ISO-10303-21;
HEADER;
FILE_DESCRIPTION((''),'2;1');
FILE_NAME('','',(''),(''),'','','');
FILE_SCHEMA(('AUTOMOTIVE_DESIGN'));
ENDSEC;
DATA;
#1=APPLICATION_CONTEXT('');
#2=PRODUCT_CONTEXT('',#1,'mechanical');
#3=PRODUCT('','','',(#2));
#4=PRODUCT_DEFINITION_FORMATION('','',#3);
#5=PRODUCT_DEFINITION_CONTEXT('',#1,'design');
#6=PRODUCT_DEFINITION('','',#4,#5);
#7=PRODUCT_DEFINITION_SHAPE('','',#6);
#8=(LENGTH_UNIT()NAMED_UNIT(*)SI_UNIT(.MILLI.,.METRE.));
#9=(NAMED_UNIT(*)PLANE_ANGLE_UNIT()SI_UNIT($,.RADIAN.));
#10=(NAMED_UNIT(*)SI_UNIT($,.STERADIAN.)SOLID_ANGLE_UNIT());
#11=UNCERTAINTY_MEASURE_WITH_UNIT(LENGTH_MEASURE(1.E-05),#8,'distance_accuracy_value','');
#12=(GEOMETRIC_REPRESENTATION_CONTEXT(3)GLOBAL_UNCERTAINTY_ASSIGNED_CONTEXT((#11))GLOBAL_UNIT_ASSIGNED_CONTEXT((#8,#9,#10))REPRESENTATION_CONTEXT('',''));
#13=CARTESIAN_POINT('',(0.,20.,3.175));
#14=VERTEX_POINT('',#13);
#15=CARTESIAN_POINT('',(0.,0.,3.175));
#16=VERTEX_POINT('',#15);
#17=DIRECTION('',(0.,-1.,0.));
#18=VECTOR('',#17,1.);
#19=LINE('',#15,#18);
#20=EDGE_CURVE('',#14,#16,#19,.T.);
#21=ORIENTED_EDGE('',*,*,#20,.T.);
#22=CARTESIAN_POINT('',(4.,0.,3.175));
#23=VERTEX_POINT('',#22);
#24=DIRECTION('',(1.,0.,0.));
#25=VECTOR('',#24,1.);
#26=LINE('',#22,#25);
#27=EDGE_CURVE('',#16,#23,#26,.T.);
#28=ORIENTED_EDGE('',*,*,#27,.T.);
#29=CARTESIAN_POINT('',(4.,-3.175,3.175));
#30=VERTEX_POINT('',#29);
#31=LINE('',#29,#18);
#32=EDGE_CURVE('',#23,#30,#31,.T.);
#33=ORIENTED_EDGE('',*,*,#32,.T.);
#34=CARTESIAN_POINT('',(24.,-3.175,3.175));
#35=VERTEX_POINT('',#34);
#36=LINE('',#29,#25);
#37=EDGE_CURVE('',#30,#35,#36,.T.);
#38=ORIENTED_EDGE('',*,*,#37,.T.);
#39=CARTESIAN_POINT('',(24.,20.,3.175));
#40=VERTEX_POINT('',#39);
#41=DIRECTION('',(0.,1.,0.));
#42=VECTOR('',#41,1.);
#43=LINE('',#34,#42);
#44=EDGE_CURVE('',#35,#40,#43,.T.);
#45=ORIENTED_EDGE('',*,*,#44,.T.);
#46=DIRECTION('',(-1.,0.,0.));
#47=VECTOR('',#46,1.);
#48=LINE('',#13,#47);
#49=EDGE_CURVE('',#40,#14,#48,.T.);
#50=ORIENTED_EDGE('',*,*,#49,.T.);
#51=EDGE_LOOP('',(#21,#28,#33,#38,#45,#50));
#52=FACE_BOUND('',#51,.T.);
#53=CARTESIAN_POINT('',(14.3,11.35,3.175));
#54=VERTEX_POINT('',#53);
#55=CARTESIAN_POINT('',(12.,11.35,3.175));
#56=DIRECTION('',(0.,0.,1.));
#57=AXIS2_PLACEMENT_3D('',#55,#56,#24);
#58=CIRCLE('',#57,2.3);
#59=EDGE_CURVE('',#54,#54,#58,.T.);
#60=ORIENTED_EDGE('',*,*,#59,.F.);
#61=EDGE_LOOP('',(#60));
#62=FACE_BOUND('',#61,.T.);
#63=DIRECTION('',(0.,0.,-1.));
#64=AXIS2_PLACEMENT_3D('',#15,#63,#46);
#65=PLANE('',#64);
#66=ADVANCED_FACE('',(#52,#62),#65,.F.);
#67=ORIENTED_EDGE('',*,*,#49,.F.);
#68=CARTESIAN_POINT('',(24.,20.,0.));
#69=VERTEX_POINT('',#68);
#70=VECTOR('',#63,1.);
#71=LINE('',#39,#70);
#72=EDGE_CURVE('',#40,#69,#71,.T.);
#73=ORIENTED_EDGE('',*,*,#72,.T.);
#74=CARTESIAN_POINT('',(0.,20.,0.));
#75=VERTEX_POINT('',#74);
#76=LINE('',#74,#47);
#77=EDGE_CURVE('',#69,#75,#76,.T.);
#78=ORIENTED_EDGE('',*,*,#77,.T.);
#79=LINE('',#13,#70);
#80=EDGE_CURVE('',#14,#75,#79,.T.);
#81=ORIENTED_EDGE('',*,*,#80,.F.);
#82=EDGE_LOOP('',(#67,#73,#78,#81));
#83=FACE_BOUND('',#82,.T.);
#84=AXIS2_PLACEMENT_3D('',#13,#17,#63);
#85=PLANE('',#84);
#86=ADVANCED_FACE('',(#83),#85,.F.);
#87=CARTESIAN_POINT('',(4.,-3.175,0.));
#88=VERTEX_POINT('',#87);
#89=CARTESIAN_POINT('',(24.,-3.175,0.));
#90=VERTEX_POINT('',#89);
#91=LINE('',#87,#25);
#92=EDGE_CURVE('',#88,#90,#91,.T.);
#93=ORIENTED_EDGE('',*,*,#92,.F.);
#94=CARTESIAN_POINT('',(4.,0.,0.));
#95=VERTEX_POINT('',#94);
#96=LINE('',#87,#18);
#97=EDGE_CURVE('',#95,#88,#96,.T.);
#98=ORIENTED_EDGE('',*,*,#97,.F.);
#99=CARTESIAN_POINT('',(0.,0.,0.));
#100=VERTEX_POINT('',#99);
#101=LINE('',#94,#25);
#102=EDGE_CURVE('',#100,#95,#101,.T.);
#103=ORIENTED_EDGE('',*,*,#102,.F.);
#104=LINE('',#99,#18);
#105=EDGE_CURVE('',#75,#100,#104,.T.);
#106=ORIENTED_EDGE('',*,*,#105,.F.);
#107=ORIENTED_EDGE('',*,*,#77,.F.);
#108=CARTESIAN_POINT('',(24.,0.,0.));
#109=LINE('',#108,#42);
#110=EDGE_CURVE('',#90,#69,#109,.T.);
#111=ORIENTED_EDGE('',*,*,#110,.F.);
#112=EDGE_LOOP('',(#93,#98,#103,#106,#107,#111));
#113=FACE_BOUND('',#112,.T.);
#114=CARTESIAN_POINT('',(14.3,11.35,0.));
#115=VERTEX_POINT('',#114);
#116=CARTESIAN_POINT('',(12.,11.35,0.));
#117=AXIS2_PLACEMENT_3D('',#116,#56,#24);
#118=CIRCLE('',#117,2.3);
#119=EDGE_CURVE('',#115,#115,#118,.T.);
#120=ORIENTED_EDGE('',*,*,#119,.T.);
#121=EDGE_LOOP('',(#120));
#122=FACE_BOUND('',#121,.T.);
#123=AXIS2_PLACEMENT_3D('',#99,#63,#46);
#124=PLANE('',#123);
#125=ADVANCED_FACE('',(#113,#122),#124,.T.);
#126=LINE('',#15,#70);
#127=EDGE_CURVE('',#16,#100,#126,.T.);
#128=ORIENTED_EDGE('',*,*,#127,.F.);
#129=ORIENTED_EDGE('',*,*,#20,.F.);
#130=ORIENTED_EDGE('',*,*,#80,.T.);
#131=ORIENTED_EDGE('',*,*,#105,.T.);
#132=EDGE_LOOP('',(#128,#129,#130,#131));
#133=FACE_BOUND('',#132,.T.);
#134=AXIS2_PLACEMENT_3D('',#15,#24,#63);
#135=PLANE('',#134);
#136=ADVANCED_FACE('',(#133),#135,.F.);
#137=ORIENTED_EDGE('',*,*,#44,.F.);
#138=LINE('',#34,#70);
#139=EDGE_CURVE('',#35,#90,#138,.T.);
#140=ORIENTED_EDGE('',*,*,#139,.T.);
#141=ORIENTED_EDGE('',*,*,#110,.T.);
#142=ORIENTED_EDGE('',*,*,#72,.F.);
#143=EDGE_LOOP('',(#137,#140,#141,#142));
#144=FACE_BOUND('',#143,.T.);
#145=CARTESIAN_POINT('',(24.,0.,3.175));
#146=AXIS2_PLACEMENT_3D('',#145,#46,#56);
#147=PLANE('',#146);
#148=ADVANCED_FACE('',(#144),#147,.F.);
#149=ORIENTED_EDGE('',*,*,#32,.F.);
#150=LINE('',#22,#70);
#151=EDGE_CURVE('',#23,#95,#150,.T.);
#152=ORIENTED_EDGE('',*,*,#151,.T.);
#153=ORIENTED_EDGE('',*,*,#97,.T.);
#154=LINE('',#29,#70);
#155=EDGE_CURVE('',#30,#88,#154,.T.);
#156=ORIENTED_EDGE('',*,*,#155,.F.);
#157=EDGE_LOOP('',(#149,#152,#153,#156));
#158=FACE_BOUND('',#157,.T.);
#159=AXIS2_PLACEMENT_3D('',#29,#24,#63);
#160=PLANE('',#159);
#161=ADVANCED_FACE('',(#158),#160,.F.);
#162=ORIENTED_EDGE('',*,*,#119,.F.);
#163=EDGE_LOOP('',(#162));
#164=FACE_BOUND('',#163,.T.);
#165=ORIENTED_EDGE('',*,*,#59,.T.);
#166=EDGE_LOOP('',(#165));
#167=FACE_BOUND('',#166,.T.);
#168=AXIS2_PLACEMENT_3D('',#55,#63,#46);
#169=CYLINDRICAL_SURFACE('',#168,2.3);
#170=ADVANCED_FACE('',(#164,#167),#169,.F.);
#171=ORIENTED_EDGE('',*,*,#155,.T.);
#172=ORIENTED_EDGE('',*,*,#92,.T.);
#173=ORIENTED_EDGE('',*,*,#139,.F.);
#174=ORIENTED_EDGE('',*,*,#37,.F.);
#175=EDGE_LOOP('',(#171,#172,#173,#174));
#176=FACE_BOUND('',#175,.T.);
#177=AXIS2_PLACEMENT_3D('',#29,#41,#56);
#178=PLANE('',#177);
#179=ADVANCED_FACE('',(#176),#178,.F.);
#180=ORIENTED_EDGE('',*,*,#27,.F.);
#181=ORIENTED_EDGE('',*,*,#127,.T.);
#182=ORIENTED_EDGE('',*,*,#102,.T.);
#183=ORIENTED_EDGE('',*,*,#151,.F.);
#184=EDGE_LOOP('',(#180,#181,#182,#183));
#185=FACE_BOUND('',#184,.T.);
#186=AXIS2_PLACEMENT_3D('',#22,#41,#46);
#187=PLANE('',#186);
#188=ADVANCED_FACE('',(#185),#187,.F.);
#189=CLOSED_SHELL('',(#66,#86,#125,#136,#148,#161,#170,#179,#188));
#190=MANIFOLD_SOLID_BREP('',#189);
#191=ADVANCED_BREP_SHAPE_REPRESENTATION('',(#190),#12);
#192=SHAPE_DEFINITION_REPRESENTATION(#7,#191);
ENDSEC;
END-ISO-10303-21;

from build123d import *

# Parameters (mm, degrees)
SKETCH1_R           = 2.3
BOSS_EXTRUDE1_DEPTH = 3.175


with BuildPart() as part:
    # Sketch1 → Boss-Extrude1 (new body)
    with BuildSketch(Plane.XY):
        Polygon((0, 0), (0, 20), (24, 20), (24, 0), (24, -3.175), (4, -3.175), (4, 0), align=None)
        with Locations((12, 11.35)):
            Circle(SKETCH1_R, mode=Mode.SUBTRACT)
    extrude(amount=BOSS_EXTRUDE1_DEPTH)


solid = part.part
